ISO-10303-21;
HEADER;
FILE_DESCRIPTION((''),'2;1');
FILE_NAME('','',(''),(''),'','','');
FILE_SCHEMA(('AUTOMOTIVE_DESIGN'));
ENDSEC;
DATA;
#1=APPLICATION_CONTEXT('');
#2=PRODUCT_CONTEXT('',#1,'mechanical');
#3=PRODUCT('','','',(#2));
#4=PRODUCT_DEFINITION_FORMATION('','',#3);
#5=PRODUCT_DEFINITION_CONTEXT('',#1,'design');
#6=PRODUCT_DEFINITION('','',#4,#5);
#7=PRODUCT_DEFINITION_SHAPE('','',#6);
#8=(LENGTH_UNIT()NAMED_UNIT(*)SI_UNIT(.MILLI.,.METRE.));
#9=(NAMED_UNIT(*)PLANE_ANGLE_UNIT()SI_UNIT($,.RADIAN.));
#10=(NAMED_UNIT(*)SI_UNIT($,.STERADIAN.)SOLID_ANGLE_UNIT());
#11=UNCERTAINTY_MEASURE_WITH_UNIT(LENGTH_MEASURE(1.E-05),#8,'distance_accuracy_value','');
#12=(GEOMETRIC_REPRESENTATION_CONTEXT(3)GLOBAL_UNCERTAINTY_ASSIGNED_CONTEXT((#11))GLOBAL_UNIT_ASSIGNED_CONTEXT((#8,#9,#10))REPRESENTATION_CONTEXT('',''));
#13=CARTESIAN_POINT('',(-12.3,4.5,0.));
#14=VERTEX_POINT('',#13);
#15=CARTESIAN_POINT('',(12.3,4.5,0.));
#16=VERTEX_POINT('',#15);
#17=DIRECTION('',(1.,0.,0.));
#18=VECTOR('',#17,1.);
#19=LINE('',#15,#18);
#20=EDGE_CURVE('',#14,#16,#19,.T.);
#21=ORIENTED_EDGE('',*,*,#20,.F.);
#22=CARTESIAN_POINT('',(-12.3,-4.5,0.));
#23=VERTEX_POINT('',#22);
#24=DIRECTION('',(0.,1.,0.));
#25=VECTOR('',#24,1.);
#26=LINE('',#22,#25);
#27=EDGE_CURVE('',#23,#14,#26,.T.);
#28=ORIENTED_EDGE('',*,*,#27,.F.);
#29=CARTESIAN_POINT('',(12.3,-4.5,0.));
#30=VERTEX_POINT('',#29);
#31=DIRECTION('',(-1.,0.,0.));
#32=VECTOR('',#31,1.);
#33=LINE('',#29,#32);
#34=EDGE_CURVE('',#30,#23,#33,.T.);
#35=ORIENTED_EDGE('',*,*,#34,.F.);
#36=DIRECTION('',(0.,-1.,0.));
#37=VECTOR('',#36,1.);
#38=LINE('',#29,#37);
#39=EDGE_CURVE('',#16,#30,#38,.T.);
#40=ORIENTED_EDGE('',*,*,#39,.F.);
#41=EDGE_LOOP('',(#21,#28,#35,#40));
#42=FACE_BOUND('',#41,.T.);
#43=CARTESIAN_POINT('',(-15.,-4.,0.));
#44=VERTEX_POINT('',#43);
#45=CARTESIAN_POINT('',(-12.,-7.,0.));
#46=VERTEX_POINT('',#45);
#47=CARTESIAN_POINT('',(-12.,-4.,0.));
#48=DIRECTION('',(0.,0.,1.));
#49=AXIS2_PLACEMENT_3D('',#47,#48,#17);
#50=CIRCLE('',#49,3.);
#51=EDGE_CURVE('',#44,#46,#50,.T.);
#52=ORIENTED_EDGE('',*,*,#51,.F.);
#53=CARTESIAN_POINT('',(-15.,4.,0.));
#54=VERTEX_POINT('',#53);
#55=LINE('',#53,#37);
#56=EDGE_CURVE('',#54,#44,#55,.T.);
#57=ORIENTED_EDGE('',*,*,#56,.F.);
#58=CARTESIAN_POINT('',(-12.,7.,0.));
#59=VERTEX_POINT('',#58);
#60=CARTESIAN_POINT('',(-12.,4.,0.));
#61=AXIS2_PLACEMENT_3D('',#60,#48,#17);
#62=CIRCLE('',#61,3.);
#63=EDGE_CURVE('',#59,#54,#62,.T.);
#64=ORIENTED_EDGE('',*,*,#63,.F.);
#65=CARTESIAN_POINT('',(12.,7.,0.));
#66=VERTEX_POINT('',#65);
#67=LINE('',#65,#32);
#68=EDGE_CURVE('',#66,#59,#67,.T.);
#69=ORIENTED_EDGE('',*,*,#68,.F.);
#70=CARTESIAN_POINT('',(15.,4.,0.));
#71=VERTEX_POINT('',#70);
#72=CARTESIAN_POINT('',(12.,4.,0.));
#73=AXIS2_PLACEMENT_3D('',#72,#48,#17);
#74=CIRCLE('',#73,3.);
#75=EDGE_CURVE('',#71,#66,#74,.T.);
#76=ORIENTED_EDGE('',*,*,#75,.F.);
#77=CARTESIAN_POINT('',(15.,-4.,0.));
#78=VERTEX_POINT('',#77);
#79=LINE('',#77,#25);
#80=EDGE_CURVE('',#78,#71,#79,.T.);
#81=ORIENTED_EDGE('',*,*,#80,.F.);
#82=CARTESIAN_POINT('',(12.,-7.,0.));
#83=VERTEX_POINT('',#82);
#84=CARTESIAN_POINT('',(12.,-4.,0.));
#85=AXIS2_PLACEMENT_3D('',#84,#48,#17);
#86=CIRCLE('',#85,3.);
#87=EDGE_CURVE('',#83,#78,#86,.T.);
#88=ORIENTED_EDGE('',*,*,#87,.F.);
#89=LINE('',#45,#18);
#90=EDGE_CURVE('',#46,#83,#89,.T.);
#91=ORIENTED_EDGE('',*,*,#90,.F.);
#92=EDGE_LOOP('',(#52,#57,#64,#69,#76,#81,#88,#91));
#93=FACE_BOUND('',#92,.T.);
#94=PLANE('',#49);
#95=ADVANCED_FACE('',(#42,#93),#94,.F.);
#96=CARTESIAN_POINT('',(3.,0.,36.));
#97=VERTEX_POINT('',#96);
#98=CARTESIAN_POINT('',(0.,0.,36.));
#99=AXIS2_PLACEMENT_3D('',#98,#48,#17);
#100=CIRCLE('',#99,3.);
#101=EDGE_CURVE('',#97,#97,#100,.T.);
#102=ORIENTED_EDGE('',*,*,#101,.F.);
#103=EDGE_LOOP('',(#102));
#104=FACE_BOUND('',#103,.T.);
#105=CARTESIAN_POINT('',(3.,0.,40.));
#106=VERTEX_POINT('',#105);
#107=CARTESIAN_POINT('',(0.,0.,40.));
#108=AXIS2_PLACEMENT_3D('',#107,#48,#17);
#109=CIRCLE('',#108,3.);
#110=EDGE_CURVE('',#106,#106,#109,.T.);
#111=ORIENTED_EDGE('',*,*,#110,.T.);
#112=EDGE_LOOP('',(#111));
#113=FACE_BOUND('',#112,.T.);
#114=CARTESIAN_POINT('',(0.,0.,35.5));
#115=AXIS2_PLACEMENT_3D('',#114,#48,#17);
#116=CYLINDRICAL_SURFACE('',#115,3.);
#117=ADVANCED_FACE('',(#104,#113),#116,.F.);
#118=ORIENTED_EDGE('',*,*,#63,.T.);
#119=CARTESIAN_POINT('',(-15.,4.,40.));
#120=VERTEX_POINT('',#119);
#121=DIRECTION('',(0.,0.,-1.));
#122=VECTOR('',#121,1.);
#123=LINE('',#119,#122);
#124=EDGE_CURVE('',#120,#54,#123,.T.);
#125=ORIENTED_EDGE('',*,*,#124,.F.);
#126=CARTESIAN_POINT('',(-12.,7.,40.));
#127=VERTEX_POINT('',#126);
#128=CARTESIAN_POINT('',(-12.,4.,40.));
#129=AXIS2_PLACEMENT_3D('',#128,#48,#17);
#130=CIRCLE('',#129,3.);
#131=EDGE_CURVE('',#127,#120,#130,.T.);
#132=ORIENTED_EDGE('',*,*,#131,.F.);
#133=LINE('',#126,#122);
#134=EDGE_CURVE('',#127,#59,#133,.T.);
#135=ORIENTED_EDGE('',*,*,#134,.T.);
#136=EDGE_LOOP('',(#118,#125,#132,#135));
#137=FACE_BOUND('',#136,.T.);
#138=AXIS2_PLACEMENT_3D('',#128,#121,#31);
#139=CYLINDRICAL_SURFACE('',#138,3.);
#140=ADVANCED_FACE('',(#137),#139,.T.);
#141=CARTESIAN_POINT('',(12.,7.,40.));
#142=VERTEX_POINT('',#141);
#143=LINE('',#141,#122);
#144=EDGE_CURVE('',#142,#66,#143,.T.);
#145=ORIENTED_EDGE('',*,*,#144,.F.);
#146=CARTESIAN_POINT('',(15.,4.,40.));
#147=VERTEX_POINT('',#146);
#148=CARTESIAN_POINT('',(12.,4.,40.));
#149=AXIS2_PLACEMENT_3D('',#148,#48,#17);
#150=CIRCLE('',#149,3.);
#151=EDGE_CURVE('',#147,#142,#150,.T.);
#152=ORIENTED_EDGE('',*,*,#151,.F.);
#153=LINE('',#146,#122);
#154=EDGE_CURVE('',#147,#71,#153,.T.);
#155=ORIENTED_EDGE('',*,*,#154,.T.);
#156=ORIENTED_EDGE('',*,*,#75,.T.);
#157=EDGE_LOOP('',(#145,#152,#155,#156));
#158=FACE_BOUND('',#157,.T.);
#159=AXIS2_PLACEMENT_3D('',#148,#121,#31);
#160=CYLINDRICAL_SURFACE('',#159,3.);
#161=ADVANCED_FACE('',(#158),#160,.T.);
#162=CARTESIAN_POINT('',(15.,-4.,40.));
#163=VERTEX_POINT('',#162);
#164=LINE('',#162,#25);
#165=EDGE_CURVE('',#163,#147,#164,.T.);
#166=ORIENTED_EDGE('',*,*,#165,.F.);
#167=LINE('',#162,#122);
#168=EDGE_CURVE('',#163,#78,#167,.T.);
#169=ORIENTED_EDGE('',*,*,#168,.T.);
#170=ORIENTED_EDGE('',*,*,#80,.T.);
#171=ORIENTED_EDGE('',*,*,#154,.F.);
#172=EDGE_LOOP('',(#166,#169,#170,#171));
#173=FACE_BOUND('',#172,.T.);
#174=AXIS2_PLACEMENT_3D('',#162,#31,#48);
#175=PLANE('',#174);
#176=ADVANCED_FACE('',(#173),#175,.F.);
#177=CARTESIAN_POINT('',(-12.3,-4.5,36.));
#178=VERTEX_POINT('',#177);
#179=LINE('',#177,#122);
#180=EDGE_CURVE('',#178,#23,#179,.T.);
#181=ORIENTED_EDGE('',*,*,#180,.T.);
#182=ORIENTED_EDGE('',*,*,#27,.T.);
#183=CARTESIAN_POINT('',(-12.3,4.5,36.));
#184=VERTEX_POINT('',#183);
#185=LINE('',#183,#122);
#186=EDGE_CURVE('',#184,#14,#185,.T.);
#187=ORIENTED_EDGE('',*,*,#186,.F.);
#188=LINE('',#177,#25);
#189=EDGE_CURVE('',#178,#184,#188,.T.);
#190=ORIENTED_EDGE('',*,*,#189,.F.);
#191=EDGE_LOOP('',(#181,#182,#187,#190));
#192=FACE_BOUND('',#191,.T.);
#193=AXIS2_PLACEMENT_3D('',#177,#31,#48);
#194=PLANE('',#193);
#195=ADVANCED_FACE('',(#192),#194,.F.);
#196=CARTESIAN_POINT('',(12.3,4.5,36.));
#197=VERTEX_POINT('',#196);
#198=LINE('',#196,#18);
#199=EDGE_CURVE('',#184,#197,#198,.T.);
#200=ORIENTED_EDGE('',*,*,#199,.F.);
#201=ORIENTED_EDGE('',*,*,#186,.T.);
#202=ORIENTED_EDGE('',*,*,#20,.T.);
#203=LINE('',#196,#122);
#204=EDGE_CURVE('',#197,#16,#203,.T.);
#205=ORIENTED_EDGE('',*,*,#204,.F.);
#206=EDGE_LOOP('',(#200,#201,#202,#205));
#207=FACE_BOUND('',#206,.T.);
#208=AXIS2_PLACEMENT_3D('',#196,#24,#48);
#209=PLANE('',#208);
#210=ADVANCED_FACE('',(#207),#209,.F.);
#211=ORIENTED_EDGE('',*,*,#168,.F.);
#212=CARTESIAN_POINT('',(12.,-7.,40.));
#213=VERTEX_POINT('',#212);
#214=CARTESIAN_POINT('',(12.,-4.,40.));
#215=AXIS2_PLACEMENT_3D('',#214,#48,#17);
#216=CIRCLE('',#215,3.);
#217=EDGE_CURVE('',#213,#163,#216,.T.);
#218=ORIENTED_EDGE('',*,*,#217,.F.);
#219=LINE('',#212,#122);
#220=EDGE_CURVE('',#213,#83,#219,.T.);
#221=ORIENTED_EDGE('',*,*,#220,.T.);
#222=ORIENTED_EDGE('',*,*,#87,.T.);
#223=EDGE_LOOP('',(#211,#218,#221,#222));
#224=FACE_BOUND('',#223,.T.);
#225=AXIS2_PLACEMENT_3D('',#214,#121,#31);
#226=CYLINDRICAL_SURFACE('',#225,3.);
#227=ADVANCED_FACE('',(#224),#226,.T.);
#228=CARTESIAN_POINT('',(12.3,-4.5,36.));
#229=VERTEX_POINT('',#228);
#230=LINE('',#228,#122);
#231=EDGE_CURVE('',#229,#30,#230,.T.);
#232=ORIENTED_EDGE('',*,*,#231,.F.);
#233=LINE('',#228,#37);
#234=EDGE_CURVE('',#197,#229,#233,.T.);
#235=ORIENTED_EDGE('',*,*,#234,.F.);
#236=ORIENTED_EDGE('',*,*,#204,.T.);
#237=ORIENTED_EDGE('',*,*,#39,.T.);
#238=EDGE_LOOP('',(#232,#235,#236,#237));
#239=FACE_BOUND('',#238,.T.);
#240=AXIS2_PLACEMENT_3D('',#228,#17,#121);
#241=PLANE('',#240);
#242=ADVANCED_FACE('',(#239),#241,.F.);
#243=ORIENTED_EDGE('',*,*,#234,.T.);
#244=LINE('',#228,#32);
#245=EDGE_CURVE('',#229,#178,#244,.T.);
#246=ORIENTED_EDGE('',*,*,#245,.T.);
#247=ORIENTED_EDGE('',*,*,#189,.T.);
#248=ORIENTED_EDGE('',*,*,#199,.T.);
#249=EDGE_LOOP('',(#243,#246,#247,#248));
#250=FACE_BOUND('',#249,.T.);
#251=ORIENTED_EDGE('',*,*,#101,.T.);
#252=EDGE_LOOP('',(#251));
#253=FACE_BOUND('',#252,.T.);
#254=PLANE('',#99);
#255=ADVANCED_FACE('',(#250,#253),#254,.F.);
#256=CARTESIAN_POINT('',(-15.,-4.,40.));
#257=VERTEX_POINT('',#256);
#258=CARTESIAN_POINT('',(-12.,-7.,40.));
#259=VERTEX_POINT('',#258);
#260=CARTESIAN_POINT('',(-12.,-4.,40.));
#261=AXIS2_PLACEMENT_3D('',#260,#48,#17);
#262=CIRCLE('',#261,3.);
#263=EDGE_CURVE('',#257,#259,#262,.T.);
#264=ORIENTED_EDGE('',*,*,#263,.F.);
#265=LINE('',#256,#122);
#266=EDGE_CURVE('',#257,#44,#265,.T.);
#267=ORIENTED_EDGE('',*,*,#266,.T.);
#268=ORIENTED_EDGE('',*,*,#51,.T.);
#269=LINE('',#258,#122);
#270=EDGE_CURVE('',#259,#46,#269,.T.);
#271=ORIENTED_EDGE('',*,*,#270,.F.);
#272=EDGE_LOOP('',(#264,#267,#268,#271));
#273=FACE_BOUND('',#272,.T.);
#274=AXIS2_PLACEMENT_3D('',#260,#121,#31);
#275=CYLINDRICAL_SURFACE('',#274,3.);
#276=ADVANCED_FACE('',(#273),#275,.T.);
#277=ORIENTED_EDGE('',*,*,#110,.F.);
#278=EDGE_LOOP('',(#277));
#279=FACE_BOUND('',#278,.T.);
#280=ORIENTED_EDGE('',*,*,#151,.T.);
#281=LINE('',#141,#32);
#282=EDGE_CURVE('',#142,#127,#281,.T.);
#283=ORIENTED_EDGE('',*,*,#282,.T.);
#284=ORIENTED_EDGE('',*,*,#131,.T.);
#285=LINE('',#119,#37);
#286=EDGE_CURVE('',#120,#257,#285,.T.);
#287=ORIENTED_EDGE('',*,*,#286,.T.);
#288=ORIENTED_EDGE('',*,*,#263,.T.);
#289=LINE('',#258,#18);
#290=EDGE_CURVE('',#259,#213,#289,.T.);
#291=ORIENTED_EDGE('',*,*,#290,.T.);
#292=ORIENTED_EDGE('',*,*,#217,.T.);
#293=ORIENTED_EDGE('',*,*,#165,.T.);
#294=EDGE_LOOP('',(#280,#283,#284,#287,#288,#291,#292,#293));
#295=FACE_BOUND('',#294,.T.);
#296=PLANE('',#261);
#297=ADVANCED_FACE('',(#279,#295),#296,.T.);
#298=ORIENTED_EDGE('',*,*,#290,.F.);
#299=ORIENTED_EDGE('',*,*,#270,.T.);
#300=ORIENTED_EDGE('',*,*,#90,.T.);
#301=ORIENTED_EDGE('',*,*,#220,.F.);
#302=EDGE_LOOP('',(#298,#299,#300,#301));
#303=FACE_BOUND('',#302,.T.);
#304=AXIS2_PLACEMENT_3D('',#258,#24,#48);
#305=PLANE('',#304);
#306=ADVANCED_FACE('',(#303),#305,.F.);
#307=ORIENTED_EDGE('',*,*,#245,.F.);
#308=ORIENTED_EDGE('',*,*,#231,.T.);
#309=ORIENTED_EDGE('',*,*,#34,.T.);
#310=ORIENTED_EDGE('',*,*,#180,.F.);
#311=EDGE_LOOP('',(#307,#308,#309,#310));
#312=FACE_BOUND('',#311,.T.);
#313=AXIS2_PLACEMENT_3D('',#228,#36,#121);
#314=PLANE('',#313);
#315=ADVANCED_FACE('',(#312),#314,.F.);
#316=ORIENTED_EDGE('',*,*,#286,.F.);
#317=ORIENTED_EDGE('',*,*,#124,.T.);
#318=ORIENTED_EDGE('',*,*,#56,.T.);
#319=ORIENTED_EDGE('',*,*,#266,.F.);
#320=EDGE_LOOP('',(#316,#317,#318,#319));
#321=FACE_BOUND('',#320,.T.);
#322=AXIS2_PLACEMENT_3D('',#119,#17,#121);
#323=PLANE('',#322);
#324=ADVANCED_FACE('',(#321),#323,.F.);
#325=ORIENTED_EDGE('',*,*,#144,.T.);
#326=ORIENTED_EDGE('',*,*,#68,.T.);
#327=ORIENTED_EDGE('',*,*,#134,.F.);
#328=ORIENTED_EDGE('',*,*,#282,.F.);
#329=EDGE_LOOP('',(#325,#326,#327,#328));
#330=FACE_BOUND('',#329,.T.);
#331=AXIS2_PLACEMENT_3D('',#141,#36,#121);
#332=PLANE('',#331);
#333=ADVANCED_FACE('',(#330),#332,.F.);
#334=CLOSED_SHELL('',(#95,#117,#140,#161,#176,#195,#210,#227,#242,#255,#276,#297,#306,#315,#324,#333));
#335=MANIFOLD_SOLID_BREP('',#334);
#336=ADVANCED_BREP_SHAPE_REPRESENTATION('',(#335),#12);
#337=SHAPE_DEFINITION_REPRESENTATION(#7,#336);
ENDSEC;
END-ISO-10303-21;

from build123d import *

# Parameters (mm, degrees)
BOSS_EXTRUDE1_DEPTH = 40
SKETCH2_W           = 24.6
SKETCH2_H           = 9
CUT_EXTRUDE1_DEPTH  = 36
SKETCH3_R           = 3
CUT_EXTRUDE2_DEPTH  = 4.5


with BuildPart() as part:
    # Sketch1 → Boss-Extrude1 (new body)
    with BuildSketch(Plane.XY):
        with BuildLine():
            Line((-12, -7), (12, -7))
            ThreePointArc((12, -7), (14.121320344, -6.121320344), (15, -4))
            Line((15, -4), (15, 4))
            ThreePointArc((15, 4), (14.121320344, 6.121320344), (12, 7))
            Line((12, 7), (-12, 7))
            ThreePointArc((-12, 7), (-14.121320344, 6.121320344), (-15, 4))
            Line((-15, 4), (-15, -4))
            ThreePointArc((-15, -4), (-14.121320344, -6.121320344), (-12, -7))
        make_face()
    extrude(amount=BOSS_EXTRUDE1_DEPTH)

    # Sketch2 → Cut-Extrude1 (cut)
    with BuildSketch(Plane(origin=(0, 0, 0), x_dir=(-1, 0, 0), z_dir=(0, 0, -1))):
        Rectangle(SKETCH2_W, SKETCH2_H)
    extrude(amount=-CUT_EXTRUDE1_DEPTH, mode=Mode.SUBTRACT)

    # Sketch3 → Cut-Extrude2 (cut)
    with BuildSketch(Plane.XY.offset(40)):
        Circle(SKETCH3_R)
    extrude(amount=-CUT_EXTRUDE2_DEPTH, mode=Mode.SUBTRACT)


solid = part.part
